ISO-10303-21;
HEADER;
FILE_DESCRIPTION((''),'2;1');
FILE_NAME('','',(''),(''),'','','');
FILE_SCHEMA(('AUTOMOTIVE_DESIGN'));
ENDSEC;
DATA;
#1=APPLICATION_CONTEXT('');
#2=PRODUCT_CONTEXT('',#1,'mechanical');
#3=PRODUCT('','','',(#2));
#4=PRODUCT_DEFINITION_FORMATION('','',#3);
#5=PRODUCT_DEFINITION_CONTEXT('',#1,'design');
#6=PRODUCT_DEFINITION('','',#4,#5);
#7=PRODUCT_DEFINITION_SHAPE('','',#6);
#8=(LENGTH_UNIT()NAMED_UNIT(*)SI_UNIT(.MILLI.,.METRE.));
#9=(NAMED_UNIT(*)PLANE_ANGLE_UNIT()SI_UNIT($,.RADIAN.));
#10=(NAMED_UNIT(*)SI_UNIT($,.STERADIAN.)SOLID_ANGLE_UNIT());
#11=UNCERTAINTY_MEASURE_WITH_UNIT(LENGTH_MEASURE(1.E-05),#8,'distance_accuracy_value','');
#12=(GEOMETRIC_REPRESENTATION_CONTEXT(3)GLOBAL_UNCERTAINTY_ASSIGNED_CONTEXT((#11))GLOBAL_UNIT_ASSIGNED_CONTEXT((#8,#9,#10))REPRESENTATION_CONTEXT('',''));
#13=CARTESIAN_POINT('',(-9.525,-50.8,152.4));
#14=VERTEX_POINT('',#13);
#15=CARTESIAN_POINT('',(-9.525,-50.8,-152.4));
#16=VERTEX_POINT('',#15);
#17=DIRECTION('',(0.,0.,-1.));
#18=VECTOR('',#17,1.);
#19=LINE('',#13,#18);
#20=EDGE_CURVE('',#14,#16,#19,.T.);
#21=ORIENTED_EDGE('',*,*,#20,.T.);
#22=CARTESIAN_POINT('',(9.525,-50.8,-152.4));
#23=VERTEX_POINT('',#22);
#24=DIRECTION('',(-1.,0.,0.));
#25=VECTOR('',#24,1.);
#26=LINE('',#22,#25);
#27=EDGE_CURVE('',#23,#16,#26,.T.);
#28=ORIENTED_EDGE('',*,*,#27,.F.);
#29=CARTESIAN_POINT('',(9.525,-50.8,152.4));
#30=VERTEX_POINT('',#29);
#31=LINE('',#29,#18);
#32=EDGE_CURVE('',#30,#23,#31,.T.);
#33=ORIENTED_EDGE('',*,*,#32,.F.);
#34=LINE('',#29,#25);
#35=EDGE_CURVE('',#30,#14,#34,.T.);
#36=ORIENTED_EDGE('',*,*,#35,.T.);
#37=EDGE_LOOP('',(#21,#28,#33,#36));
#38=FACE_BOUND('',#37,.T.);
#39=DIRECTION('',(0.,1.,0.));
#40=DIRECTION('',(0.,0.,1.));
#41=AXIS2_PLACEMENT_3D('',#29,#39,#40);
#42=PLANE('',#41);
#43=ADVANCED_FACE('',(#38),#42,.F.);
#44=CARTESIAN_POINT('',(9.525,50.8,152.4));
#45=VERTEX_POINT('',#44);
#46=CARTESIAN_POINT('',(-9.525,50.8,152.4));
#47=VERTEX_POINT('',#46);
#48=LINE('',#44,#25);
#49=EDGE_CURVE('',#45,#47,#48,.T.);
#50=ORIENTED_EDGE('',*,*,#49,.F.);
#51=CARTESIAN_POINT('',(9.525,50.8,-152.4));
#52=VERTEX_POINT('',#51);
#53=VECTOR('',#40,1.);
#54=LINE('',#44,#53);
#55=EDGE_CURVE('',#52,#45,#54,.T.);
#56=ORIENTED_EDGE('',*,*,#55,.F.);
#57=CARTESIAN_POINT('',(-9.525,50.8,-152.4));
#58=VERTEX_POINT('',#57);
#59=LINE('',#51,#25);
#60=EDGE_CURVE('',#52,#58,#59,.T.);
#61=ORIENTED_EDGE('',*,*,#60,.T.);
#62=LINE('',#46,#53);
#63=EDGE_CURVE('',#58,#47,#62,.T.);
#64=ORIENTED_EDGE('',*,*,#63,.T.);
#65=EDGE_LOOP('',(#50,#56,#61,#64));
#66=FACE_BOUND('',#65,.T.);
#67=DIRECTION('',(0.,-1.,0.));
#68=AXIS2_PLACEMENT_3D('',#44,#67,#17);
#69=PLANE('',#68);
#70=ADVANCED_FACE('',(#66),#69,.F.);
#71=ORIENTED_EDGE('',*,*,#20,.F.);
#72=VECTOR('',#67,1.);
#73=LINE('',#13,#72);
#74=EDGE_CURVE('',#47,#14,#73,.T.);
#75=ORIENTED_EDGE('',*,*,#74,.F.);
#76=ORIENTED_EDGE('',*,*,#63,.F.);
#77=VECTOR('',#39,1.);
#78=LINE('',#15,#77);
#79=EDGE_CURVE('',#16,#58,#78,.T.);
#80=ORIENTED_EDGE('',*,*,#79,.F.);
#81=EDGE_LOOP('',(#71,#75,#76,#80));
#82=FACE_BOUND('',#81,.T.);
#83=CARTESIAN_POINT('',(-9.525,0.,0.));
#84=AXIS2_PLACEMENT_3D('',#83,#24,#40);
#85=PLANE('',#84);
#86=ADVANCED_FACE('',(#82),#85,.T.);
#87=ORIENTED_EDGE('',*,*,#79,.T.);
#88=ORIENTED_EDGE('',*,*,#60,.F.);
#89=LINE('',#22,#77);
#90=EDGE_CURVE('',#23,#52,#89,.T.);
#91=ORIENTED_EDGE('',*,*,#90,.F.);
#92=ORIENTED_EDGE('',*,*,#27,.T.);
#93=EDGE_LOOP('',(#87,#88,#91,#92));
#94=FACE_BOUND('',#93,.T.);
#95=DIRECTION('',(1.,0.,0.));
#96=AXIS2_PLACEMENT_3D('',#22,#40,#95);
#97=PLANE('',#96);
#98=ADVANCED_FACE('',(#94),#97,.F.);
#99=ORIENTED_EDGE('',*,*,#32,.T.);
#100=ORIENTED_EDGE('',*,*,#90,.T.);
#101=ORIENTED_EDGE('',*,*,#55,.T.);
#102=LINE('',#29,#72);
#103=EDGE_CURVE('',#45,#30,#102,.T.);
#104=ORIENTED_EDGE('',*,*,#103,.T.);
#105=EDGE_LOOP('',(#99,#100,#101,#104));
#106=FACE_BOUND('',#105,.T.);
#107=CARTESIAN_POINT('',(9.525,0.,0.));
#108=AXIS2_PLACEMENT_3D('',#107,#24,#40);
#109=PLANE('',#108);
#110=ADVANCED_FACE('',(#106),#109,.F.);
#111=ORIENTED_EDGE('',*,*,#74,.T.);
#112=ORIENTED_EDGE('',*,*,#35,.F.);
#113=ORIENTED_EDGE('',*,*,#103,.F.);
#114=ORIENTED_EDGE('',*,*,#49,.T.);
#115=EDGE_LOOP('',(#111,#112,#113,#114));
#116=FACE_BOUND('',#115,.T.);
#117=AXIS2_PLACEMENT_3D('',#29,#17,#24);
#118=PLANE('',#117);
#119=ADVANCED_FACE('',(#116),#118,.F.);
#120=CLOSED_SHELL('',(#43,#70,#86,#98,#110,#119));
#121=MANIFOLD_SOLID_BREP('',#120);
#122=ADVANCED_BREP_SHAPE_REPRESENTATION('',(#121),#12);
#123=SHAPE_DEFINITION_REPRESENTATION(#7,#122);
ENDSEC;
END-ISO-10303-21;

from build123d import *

# Parameters (mm, degrees)
SKETCH1_W           = 304.8
SKETCH1_H           = 101.6
BOSS_EXTRUDE1_DEPTH = 9.525


with BuildPart() as part:
    # Sketch1 → Boss-Extrude1 (new body, symmetric)
    with BuildSketch(Plane(origin=(0, 0, 0), x_dir=(0, 0, -1), z_dir=(1, 0, 0))):
        Rectangle(SKETCH1_W, SKETCH1_H)
    extrude(amount=BOSS_EXTRUDE1_DEPTH, both=True)


solid = part.part
